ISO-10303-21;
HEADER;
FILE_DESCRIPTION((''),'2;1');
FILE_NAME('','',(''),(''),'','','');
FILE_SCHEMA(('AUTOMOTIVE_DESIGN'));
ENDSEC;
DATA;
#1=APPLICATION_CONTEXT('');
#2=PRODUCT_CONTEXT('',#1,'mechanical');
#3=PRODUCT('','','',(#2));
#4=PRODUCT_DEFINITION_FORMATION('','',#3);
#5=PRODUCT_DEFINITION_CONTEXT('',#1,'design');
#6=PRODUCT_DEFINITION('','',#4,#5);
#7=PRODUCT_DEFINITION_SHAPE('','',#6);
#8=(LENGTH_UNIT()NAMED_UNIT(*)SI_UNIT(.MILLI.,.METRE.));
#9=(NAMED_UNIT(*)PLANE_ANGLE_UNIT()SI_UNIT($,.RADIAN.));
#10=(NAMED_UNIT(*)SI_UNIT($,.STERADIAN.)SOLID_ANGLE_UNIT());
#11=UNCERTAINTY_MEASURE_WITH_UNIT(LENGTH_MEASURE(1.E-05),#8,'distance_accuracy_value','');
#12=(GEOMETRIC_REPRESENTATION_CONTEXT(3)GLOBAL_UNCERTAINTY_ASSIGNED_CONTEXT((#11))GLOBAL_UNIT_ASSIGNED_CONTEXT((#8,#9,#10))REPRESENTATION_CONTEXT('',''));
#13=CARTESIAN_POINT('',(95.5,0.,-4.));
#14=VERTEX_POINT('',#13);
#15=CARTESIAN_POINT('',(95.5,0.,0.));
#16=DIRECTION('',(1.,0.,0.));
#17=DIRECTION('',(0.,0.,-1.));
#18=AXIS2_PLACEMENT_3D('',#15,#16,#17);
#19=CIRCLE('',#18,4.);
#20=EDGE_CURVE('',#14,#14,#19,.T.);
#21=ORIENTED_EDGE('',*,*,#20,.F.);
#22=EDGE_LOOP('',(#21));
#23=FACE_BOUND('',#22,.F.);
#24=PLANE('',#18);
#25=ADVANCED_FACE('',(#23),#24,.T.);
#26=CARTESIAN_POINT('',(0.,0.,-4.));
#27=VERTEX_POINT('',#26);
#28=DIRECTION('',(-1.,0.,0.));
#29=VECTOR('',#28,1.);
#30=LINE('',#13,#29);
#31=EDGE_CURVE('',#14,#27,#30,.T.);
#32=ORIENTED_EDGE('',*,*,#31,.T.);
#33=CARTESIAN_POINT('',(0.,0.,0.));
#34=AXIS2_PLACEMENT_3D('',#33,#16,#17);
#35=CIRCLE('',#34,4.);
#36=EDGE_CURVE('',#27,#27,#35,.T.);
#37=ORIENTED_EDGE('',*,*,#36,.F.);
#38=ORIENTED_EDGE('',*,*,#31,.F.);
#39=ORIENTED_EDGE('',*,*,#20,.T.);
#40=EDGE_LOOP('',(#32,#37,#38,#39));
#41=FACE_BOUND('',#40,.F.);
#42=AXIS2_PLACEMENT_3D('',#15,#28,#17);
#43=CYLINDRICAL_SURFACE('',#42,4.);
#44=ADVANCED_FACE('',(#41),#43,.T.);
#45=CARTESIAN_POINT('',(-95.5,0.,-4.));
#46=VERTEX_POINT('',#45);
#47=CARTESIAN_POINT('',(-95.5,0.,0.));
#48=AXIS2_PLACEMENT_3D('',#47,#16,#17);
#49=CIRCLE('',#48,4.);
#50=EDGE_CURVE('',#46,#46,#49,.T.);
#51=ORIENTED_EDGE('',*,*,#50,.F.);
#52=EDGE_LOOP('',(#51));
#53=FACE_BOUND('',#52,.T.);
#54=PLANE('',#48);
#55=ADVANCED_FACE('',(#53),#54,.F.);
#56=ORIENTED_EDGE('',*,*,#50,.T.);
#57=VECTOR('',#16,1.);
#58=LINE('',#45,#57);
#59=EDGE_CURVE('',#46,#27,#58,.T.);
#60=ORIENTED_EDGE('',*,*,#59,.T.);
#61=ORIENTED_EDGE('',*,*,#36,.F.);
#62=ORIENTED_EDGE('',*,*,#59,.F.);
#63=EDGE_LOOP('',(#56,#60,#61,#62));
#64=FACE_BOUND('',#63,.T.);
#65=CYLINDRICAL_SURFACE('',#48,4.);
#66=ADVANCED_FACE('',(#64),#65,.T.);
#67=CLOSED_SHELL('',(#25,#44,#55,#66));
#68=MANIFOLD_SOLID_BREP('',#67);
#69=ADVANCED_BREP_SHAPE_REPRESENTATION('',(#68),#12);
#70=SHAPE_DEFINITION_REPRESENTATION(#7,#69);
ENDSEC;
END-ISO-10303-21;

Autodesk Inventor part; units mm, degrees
ref_plane "YZ Plane" through (0, 0, 0) normal (1, 0, 0) x (0, 1, 0)
ref_plane "XY Plane" through (0, 0, 0) normal (0, 0, 1) x (1, 0, 0)
sketch "Эскиз1" plane through (0, 0, 0) normal (0, 1, 0) x (-1, 0, 0)
  line L0 (95.5, 0) -> (95.5, -4)
  line L1 (95.5, -4) -> (0, -4)
  line L2 (0, -4) -> (0, 0) construction
  line L3 (-95.5, 0) -> (-95.5, -4)
  line L4 (-95.5, -4) -> (0, -4)
  line L5 (1.8444, 0) -> (-1.3044, 0) construction
  line L6 (95.5, 0) -> (-95.5, 0)
  dimension "d0" = 4
  dimension "d1" = 95.5
revolve "Вращение1" add sketch "Эскиз1" angle 360 about axis through (-1.8444, 0, 0) along (1, 0, 0)
properties part number "Шпилька"
